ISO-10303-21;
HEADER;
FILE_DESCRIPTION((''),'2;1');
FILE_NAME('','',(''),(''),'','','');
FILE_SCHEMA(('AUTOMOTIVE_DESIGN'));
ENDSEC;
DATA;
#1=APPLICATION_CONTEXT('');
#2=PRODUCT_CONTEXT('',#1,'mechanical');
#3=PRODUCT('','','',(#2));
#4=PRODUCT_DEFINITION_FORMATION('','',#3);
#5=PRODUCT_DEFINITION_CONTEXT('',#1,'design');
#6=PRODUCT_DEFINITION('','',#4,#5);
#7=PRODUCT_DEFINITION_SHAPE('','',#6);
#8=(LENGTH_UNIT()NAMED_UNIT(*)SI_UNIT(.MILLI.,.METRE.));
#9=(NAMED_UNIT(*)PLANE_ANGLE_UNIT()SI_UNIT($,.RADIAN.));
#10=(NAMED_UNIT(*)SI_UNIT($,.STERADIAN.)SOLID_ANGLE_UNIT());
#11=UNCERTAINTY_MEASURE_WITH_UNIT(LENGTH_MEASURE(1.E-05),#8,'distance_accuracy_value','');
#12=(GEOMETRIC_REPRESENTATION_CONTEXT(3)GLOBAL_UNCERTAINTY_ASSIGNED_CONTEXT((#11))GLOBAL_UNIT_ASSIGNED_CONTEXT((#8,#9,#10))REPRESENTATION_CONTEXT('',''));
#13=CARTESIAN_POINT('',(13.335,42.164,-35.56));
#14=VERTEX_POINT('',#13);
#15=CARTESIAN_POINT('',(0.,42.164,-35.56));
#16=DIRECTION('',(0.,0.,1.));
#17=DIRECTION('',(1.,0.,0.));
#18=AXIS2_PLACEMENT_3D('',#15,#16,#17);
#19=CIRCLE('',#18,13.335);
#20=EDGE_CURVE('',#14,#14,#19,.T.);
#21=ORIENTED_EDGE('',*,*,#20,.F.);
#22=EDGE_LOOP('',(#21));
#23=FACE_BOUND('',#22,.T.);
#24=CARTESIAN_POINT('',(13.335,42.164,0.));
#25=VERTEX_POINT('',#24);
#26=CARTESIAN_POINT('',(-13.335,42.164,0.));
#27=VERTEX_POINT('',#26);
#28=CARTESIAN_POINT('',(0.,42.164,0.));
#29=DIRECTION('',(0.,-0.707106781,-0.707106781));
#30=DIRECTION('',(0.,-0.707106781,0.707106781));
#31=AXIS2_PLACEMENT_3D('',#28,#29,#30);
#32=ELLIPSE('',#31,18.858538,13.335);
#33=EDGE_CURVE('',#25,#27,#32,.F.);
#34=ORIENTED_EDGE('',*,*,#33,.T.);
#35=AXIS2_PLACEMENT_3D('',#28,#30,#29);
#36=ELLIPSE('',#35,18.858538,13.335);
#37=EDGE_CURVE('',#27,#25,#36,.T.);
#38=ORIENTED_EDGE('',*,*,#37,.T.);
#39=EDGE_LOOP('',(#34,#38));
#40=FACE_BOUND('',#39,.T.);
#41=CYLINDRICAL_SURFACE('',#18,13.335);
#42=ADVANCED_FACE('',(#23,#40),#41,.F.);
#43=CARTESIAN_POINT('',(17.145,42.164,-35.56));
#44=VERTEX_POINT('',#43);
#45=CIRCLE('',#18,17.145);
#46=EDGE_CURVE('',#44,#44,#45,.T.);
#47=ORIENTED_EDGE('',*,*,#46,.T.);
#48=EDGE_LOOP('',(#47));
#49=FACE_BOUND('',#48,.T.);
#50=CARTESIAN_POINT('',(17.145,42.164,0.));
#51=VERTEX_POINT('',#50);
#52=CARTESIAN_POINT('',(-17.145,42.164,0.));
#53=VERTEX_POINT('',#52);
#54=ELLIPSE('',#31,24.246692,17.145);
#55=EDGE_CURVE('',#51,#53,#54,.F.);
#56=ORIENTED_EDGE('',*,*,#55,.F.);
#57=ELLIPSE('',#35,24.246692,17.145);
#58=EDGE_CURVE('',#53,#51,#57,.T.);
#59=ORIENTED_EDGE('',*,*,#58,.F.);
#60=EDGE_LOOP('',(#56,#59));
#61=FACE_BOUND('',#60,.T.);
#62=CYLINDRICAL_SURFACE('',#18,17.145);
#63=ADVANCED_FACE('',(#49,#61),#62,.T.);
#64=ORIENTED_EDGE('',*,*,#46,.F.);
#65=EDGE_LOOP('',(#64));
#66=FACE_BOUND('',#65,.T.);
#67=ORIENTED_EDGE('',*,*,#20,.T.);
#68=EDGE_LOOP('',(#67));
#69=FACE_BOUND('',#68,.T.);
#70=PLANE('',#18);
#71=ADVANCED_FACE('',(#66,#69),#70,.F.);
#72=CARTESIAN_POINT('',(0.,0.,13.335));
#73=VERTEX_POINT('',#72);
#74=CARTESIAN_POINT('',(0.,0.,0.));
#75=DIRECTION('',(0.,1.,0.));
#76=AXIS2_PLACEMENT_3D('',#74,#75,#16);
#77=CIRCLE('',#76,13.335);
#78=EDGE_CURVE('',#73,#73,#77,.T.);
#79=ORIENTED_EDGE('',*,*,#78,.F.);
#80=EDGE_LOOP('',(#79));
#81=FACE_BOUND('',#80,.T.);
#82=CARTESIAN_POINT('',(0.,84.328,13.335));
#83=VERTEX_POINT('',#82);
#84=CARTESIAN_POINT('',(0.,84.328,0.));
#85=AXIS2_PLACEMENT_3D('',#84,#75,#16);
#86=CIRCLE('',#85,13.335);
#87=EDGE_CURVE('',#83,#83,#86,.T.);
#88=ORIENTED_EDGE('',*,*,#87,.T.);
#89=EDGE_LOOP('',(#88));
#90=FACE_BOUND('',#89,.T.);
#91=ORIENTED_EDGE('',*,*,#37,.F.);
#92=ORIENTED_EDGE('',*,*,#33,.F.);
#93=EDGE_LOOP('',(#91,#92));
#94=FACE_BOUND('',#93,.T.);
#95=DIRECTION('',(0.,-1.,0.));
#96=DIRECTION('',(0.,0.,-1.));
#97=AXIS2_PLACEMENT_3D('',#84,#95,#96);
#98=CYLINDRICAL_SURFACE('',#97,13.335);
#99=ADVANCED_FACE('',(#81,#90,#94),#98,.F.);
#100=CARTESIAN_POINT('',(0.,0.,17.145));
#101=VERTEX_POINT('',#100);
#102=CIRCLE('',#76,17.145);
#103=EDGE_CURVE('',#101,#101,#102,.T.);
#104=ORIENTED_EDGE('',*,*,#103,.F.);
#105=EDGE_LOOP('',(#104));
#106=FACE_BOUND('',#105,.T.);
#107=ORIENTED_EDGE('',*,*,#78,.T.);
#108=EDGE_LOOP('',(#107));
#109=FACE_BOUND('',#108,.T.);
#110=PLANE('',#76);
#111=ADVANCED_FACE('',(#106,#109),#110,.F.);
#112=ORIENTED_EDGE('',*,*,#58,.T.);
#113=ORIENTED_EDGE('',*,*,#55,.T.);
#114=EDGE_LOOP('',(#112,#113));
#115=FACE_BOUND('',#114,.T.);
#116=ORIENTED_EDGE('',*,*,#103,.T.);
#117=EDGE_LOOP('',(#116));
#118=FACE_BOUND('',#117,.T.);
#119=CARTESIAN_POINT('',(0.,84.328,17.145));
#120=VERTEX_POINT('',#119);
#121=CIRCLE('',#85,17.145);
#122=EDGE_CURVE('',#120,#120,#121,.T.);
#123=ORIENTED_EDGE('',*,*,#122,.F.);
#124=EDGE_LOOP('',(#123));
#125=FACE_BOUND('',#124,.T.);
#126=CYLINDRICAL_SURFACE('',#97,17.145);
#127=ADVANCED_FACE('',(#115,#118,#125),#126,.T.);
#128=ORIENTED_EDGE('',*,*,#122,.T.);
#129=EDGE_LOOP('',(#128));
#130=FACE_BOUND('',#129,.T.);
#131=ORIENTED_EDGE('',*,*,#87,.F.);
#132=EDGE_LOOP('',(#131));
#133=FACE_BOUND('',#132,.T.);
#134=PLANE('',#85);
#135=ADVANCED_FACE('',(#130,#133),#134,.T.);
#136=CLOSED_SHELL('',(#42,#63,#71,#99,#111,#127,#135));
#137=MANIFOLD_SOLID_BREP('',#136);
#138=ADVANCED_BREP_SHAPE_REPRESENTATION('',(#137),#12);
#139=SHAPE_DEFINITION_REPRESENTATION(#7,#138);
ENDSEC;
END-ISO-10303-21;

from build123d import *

# Parameters (mm, degrees)
SKETCH1_R           = 17.145
SKETCH1_R_2         = 13.335
BOSS_EXTRUDE1_DEPTH = 84.328
SKETCH2_R           = 17.145
SKETCH2_R_2         = 13.335
BOSS_EXTRUDE2_DEPTH = 35.56
SKETCH3_R           = 13.335
CUT_EXTRUDE1_DEPTH  = 94.111096186
CUT_EXTRUDE2_START  = -35.56
SKETCH4_R           = 13.335
CUT_EXTRUDE2_DEPTH  = 35.56


with BuildPart() as part:
    # Sketch1 → Boss-Extrude1 (new body)
    with BuildSketch(Plane(origin=(0, 0, 0), x_dir=(1, 0, 0), z_dir=(0, 1, 0))):
        with Locations(Location((0, 0, 0), (0, 0, 270))):
            Circle(SKETCH1_R)
        with Locations(Location((0, 0, 0), (0, 0, 270))):
            Circle(SKETCH1_R_2, mode=Mode.SUBTRACT)
    extrude(amount=BOSS_EXTRUDE1_DEPTH)

    # Sketch2 → Boss-Extrude2 (add)
    with BuildSketch(Plane.XY):
        with Locations((0, 42.164)):
            Circle(SKETCH2_R)
        with Locations((0, 42.164)):
            Circle(SKETCH2_R_2, mode=Mode.SUBTRACT)
    extrude(amount=-BOSS_EXTRUDE2_DEPTH)

    # Sketch3 → Cut-Extrude1 (cut, through all)
    with BuildSketch(Plane(origin=(0, 84.328, 0), x_dir=(1, 0, 0), z_dir=(0, 1, 0))):
        with Locations(Location((0, 0, 0), (0, 0, 270))):
            Circle(SKETCH3_R)
    extrude(amount=-CUT_EXTRUDE1_DEPTH, mode=Mode.SUBTRACT)

    # Sketch4 → Cut-Extrude2 (cut)
    with BuildSketch(Plane(origin=(0, 0, -35.56), x_dir=(-1, 0, 0), z_dir=(0, 0, -1)).offset(CUT_EXTRUDE2_START)):
        with Locations(Location((0, 42.164, 0), (0, 0, 180))):
            Circle(SKETCH4_R)
    extrude(amount=CUT_EXTRUDE2_DEPTH, mode=Mode.SUBTRACT)


solid = part.part
